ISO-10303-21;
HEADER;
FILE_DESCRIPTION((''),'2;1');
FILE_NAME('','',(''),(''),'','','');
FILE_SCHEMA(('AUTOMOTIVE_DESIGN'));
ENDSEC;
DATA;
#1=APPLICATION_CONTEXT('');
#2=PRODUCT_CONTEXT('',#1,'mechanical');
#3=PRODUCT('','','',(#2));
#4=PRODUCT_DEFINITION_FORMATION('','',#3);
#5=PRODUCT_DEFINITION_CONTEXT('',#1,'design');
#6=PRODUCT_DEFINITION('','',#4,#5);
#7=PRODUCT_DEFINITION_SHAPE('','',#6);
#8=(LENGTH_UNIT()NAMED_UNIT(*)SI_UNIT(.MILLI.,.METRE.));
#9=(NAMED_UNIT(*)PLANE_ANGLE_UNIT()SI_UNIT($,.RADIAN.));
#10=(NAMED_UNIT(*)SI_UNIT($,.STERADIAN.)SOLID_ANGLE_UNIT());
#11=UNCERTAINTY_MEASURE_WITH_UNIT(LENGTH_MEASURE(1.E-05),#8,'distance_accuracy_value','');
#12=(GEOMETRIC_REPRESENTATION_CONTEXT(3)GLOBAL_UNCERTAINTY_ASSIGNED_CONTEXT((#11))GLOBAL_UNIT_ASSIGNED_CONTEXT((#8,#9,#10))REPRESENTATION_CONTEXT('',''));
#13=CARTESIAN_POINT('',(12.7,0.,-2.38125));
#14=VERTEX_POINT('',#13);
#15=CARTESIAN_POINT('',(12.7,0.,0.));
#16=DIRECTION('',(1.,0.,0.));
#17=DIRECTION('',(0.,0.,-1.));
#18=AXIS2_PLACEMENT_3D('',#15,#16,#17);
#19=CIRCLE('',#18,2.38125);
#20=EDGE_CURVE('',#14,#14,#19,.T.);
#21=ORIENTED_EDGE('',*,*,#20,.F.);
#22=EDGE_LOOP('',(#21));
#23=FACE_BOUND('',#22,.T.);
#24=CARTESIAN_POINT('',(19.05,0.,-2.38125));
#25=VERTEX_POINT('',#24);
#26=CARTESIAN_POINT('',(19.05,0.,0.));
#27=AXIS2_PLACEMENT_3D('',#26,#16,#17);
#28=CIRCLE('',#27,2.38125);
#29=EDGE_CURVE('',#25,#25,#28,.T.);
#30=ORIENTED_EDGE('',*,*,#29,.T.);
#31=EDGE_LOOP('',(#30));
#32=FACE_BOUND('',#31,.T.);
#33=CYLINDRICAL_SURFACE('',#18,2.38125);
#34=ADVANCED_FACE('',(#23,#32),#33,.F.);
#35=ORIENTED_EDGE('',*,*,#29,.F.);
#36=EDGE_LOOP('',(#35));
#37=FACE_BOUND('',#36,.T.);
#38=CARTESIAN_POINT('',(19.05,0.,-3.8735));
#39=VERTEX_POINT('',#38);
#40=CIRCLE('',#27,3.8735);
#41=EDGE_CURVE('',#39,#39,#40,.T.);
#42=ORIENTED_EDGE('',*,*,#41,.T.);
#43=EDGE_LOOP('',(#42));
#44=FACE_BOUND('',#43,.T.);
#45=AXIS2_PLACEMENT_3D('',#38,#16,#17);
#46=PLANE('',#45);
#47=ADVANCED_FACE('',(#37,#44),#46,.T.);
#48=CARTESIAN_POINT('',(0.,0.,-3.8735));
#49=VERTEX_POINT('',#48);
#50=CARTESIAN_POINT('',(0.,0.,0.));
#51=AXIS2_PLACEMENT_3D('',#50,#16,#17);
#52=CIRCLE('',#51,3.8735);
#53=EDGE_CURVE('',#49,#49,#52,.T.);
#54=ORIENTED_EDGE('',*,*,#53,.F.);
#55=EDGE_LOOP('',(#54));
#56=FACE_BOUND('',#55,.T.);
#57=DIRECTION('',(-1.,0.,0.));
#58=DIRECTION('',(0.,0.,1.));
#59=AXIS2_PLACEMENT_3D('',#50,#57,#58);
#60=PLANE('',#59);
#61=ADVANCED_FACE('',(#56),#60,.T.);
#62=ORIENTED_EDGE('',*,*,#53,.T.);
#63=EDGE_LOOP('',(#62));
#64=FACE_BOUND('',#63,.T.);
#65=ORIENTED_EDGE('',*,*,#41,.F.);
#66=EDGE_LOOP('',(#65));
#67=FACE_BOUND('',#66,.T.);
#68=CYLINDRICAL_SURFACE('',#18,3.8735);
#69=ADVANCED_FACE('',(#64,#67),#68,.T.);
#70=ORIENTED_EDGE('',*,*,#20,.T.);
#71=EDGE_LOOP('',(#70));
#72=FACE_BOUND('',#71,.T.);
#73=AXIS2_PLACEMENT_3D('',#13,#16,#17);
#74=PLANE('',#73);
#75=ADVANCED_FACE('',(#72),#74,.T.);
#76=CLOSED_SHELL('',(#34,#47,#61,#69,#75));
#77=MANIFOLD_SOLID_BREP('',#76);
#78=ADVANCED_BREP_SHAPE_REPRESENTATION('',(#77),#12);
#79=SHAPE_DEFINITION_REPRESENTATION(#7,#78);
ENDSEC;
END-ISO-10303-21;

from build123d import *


with BuildPart() as part:
    # Sketch1 → Revolve1 (revolve)
    with BuildSketch(Plane(origin=(0, 0, 0), x_dir=(1, 0, 0), z_dir=(0, 1, 0))):
        Polygon((0, 0), (0, 3.8735), (19.05, 3.8735), (19.05, 2.38125), (12.7, 2.38125), (12.7, 0), align=None)
    revolve(axis=Axis((12.7, 0, 0), (-1, 0, 0)))


solid = part.part
